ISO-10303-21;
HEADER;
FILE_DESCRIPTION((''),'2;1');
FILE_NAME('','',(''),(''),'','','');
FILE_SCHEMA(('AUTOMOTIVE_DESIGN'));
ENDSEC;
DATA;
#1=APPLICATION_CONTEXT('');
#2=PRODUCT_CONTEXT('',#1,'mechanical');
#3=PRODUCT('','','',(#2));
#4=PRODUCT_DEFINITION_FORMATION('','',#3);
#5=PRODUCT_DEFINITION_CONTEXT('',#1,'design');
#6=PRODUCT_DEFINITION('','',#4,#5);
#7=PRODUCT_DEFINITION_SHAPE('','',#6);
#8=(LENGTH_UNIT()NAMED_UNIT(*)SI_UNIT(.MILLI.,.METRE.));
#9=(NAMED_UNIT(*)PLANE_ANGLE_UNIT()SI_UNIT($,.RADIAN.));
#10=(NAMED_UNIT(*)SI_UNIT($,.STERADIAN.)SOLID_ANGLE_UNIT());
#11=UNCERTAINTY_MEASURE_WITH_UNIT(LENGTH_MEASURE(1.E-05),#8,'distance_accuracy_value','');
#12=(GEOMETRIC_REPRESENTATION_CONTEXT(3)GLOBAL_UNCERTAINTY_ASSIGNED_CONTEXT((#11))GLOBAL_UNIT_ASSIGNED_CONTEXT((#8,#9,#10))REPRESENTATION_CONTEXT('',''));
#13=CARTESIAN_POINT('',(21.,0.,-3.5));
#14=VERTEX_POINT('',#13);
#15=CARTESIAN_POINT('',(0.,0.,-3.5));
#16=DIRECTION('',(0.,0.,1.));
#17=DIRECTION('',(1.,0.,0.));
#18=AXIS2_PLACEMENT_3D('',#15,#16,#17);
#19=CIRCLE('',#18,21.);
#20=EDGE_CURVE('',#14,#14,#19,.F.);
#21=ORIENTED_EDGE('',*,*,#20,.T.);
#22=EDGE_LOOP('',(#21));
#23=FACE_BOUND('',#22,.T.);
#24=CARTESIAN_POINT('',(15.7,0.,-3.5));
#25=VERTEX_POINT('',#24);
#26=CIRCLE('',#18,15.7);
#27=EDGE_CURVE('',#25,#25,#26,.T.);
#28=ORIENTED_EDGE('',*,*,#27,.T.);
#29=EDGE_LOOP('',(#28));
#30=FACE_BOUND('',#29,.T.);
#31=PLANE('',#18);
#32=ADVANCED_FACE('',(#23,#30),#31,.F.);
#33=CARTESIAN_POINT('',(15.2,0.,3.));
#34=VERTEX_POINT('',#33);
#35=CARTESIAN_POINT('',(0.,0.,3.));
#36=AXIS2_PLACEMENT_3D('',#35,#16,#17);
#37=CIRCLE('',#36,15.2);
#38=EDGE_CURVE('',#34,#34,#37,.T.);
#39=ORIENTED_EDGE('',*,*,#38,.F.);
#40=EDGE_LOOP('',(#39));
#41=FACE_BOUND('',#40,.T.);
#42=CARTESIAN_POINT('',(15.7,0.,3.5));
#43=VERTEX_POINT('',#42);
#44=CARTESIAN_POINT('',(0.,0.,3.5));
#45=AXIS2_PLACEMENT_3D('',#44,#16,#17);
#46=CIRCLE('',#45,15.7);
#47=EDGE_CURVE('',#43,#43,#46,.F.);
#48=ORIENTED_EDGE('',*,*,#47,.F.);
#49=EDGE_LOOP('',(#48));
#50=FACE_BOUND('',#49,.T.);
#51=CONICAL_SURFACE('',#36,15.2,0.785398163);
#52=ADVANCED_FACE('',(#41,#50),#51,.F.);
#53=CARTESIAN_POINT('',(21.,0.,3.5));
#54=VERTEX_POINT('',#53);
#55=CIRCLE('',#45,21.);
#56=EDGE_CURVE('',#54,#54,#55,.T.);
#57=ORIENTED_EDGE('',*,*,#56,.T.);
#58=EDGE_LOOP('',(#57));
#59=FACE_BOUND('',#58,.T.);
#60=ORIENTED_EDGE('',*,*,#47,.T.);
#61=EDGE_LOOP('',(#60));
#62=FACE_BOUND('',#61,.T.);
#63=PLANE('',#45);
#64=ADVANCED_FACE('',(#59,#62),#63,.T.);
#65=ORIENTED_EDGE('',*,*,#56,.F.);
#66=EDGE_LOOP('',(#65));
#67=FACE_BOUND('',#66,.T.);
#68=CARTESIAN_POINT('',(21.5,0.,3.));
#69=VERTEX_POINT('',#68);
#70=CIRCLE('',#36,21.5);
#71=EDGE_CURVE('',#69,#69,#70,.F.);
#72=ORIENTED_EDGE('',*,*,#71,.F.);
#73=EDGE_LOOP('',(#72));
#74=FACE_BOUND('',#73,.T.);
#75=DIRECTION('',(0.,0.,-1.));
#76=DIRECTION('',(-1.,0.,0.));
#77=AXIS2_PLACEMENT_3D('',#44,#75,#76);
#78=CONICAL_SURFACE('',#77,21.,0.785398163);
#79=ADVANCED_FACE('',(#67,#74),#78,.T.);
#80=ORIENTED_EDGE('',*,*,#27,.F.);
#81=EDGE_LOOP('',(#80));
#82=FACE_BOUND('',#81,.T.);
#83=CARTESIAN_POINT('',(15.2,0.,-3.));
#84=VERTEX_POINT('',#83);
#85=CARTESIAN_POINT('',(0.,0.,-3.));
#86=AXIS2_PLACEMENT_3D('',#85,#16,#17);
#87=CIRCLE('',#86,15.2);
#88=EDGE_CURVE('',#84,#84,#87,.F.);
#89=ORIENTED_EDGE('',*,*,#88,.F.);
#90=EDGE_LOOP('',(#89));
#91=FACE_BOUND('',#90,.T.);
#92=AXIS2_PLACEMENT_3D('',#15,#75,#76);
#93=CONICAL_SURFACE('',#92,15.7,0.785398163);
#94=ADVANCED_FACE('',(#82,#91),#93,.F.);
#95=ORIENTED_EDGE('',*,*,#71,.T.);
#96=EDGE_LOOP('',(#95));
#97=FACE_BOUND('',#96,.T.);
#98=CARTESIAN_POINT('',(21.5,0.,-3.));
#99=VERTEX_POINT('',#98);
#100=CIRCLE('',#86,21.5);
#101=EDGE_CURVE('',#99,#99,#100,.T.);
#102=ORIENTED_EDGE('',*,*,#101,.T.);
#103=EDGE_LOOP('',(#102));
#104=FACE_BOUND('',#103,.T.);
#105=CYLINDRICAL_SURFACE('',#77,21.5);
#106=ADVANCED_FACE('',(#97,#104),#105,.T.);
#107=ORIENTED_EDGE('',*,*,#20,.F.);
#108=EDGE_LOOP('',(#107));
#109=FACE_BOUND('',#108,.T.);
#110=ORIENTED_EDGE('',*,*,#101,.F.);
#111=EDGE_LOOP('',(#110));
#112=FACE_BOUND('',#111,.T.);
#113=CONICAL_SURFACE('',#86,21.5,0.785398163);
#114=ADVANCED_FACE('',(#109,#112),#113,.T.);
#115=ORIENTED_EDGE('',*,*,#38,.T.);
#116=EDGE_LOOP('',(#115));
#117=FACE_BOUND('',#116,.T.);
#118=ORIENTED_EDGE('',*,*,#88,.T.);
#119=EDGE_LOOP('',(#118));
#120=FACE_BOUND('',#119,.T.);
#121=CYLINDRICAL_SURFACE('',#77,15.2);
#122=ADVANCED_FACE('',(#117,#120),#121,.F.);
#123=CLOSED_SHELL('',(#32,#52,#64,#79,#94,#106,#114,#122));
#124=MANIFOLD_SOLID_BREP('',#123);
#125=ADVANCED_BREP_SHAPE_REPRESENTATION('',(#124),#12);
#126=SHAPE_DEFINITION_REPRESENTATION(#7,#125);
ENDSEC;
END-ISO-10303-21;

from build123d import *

# Parameters (mm, degrees)
SKETCH_1_R      = 21.5
SKETCH_1_R_2    = 15.2
EXTRUDE_1_DEPTH = 3.5
CHAMFER_1_SIZE  = 0.5


with BuildPart() as part:
    # 草图1 → 凸台-拉伸1 (new, symmetric)
    with BuildSketch(Plane.XY):
        Circle(SKETCH_1_R)
        Circle(SKETCH_1_R_2, mode=Mode.SUBTRACT)
    extrude(amount=EXTRUDE_1_DEPTH, both=True)

    # 倒角1
    chamfer_1_edges = [part.edges().sort_by_distance(p)[0] for p in [
        (-21.5, 0, -3.5),
        (-21.5, 0, 3.5),
        (-15.2, 0, -3.5),
        (-15.2, 0, 3.5),
    ]]
    chamfer(chamfer_1_edges, length=CHAMFER_1_SIZE)


solid = part.part
